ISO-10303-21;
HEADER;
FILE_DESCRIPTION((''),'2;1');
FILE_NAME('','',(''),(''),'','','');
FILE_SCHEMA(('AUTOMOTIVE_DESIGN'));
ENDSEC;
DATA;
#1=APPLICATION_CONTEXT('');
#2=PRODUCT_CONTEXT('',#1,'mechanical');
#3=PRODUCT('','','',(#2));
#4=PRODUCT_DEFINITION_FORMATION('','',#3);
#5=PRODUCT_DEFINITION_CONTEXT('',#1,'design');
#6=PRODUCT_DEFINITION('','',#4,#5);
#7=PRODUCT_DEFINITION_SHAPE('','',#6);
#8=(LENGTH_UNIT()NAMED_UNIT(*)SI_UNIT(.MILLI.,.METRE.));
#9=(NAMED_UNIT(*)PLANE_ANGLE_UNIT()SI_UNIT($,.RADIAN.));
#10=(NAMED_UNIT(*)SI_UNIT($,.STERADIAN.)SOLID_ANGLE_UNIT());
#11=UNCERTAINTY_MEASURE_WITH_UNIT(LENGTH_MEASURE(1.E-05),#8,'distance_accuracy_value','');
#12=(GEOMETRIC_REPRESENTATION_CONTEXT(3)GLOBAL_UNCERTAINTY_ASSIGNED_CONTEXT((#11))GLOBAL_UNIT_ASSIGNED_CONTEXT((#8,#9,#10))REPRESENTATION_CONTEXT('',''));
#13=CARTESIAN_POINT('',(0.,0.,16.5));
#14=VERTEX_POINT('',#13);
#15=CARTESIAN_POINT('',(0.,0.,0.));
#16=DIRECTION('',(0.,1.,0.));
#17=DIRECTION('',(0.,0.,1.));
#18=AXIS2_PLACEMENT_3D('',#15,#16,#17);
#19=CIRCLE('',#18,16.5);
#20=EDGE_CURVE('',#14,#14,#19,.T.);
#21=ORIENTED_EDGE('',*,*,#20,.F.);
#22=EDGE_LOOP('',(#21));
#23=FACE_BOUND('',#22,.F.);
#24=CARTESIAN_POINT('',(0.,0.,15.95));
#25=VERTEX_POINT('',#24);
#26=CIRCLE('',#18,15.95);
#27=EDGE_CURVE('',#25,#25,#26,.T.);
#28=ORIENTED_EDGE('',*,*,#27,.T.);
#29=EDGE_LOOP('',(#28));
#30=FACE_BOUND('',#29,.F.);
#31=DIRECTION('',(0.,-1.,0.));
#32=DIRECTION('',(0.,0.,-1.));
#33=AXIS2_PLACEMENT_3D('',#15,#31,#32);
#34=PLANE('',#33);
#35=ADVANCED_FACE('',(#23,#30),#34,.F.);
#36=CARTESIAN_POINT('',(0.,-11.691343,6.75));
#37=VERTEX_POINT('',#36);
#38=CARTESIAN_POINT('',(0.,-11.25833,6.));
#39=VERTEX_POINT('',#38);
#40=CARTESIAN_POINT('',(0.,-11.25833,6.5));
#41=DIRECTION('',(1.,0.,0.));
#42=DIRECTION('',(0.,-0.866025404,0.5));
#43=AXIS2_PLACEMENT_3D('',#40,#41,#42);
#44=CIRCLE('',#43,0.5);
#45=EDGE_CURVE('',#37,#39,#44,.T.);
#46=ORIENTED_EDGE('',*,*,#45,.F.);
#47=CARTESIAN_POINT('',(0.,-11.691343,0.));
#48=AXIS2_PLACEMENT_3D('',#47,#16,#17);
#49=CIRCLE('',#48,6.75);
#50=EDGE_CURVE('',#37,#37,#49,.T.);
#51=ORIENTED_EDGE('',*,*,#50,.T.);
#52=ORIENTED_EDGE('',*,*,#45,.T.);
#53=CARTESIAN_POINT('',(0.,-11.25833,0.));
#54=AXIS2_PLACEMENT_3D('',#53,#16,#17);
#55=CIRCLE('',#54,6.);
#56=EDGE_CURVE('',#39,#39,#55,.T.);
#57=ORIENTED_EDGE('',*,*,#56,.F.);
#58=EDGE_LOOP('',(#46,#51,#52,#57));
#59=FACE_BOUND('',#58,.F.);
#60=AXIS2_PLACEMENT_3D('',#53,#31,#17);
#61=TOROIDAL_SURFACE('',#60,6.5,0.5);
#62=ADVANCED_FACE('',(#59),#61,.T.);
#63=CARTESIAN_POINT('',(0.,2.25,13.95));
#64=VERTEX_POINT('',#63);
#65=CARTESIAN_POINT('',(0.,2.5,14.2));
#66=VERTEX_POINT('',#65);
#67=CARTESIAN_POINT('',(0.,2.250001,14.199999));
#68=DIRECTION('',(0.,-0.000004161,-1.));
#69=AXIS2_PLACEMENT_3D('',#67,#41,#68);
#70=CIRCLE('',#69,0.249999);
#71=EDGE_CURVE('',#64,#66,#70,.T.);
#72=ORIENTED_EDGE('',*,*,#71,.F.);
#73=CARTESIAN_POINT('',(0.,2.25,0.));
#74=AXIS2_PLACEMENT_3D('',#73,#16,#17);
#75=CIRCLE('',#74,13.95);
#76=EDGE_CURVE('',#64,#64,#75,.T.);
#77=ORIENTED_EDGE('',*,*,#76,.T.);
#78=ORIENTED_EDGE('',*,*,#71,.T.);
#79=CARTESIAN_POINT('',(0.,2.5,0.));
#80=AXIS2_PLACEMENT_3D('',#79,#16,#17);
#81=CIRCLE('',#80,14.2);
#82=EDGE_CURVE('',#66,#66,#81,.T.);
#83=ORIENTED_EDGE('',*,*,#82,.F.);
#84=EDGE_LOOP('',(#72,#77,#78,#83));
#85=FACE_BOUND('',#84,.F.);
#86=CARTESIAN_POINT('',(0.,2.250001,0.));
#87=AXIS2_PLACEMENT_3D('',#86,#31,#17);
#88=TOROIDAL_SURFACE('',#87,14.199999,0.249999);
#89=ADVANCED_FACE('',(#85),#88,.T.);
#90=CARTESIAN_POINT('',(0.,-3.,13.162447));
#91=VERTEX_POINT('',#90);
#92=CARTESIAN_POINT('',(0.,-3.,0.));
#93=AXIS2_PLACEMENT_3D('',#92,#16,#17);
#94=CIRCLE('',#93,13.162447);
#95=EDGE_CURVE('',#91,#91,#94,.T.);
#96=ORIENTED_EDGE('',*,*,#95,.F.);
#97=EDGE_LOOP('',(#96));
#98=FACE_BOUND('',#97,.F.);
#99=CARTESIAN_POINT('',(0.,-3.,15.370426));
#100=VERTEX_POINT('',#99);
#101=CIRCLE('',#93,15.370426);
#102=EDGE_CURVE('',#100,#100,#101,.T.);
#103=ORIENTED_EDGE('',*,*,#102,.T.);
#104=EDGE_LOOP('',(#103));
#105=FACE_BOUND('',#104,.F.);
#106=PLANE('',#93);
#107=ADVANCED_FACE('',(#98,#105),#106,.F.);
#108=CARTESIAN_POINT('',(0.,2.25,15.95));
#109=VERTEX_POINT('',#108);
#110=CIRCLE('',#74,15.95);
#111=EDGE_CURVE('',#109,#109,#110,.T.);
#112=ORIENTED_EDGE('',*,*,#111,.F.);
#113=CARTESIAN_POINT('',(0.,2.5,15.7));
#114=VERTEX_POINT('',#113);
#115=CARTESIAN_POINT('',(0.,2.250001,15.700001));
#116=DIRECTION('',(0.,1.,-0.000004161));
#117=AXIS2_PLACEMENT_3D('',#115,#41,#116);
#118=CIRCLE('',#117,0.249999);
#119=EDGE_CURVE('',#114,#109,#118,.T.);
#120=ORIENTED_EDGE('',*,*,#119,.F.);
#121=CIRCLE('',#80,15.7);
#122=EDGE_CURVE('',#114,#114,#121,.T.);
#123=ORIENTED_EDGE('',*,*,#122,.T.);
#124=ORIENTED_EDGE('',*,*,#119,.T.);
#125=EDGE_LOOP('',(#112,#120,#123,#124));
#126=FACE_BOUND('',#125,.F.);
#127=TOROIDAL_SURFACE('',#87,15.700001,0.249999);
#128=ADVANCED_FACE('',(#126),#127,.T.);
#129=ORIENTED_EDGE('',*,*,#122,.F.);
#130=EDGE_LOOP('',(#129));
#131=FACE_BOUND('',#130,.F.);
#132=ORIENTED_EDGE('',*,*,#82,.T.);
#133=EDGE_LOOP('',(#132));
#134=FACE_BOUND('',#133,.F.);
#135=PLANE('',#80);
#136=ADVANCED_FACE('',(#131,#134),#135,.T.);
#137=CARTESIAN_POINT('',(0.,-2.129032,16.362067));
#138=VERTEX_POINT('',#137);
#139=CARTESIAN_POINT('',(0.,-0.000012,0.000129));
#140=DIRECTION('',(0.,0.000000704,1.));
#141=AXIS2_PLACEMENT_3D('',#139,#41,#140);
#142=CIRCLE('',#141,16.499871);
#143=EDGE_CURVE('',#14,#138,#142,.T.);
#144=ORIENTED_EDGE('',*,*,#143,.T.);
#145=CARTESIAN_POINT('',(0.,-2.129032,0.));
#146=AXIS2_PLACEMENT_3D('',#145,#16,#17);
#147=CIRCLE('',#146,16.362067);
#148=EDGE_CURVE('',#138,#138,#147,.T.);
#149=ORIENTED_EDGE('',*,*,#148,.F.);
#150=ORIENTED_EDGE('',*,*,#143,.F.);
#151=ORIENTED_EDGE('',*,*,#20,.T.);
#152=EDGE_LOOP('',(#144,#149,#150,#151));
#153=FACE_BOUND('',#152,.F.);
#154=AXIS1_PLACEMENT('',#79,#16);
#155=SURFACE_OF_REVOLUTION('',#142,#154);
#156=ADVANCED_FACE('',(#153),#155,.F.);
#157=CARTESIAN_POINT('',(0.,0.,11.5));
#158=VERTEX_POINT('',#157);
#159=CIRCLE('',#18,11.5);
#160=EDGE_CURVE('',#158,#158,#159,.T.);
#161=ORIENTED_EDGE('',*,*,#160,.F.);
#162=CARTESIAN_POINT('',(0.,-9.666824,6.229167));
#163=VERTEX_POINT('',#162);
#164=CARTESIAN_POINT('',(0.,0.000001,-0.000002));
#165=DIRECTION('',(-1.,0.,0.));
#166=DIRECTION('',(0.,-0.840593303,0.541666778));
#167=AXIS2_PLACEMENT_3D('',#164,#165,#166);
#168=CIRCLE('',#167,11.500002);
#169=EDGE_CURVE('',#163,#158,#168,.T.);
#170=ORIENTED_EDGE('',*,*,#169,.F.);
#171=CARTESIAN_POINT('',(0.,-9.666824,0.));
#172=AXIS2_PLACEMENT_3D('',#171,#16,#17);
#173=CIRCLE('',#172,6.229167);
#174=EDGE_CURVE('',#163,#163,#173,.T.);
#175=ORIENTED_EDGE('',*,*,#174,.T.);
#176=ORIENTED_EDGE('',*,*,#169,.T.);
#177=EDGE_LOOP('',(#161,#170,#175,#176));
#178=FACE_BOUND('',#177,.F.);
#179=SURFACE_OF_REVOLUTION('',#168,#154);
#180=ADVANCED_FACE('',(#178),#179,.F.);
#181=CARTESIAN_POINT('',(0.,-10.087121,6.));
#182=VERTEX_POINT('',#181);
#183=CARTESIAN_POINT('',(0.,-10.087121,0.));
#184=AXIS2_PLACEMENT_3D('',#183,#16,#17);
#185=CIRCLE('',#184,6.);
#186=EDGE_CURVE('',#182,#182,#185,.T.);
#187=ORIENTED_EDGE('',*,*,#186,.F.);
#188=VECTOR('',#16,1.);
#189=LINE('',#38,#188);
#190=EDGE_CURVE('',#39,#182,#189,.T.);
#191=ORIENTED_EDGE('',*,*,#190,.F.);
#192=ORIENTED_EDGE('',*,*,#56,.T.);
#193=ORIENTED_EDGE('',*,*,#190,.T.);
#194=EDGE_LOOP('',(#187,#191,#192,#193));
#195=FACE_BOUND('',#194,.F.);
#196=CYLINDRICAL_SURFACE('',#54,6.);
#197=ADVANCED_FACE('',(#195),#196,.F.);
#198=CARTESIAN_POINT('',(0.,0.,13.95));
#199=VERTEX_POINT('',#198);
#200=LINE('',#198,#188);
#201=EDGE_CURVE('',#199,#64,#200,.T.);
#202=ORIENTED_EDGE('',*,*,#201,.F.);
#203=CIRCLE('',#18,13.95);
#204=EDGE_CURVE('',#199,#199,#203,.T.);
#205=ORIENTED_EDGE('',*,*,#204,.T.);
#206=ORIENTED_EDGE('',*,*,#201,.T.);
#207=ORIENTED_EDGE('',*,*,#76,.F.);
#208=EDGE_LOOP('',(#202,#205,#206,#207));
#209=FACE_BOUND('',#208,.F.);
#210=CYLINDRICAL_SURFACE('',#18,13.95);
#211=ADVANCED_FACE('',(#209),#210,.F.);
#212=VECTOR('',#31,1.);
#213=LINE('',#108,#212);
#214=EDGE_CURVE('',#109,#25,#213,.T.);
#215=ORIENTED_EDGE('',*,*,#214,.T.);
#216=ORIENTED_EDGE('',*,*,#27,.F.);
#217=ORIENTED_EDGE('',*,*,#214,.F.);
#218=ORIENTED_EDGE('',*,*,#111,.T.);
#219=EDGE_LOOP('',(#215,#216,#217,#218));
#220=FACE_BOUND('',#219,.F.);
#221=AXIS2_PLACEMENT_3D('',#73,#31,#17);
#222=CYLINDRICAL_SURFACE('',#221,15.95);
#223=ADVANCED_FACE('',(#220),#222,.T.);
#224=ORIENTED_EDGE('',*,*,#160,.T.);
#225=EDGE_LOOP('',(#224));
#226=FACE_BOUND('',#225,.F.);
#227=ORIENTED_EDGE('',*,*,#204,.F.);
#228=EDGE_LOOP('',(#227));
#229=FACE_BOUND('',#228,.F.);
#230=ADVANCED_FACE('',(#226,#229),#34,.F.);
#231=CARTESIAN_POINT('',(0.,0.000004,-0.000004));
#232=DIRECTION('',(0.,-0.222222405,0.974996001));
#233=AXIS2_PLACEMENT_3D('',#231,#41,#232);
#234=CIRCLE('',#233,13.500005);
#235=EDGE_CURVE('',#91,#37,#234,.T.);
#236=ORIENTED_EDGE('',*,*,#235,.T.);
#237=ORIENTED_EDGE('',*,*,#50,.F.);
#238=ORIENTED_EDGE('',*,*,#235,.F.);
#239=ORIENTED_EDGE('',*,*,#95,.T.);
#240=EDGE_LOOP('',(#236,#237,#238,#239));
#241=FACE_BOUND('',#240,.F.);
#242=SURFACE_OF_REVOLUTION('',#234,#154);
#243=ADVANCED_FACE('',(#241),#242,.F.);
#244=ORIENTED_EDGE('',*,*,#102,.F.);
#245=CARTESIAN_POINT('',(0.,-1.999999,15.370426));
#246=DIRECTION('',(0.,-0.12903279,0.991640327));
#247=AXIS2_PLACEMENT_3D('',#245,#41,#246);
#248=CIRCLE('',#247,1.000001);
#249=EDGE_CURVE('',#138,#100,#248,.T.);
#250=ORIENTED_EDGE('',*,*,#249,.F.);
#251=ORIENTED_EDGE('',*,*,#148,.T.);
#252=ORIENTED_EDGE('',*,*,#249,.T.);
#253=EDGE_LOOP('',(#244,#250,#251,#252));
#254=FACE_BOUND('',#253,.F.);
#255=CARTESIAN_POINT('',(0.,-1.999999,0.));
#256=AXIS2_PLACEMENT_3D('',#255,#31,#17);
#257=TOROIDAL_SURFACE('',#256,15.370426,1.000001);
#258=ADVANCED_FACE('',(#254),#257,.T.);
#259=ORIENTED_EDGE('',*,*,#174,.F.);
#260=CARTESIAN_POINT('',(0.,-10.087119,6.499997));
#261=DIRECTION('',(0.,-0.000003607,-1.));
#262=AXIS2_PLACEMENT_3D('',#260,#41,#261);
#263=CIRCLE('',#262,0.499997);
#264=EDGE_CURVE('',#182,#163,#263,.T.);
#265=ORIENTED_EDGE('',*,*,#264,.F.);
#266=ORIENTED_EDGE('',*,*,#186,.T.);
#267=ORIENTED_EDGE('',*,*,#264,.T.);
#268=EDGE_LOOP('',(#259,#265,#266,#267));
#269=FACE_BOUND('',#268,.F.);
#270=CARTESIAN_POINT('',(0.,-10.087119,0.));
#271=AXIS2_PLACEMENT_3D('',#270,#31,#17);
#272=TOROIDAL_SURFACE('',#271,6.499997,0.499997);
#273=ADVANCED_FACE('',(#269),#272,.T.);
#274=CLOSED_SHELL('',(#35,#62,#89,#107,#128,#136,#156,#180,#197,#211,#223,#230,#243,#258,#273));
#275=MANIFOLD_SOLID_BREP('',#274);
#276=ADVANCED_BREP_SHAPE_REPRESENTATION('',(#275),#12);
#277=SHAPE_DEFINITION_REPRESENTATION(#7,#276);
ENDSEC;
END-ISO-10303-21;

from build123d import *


with BuildPart() as f1:
    # F0 (on Right) → F1 (revolve)
    with BuildSketch(Plane.YZ):
        with BuildLine():
            Line((-3, 15.370426), (-3, 13.162447))
            ThreePointArc((-3, 13.162447), (-1.509465, 13.415346), (0, 13.5))
            Line((0, 13.5), (0, 13.95))
            Line((0, 13.95), (0, 15.95))
            Line((0, 15.95), (0, 16.5))
            ThreePointArc((0, 16.5), (-1.066748, 16.465481), (-2.129032, 16.362067))
            ThreePointArc((-2.129032, 16.362067), (-2.751343, 16.030338), (-3, 15.370426))
        make_face()
        with BuildLine():
            Line((0, 15.95), (0, 13.95))
            Line((0, 13.95), (2.25, 13.95))
            ThreePointArc((2.25, 13.95), (2.426777, 14.023223), (2.5, 14.2))
            Line((2.5, 14.2), (2.5, 15.7))
            ThreePointArc((2.5, 15.7), (2.426777, 15.876777), (2.25, 15.95))
            Line((2.25, 15.95), (0, 15.95))
        make_face()
        with BuildLine():
            Line((-11.25833, 6), (-10.087121, 6))
            ThreePointArc((-10.087121, 6), (-9.847764, 6.061014), (-9.666824, 6.229167))
            ThreePointArc((-9.666824, 6.229167), (-5.505206, 10.096668), (0, 11.5))
            Line((0, 11.5), (0, 13.5))
            ThreePointArc((0, 13.5), (-1.509465, 13.415346), (-3, 13.162447))
            ThreePointArc((-3, 13.162447), (-8.014908, 10.863298), (-11.691343, 6.75))
            ThreePointArc((-11.691343, 6.75), (-11.691343, 6.25), (-11.25833, 6))
        make_face()
    revolve(axis=Axis((0, 2.5, 0), (0, 1, 0)))


solid = f1.part
